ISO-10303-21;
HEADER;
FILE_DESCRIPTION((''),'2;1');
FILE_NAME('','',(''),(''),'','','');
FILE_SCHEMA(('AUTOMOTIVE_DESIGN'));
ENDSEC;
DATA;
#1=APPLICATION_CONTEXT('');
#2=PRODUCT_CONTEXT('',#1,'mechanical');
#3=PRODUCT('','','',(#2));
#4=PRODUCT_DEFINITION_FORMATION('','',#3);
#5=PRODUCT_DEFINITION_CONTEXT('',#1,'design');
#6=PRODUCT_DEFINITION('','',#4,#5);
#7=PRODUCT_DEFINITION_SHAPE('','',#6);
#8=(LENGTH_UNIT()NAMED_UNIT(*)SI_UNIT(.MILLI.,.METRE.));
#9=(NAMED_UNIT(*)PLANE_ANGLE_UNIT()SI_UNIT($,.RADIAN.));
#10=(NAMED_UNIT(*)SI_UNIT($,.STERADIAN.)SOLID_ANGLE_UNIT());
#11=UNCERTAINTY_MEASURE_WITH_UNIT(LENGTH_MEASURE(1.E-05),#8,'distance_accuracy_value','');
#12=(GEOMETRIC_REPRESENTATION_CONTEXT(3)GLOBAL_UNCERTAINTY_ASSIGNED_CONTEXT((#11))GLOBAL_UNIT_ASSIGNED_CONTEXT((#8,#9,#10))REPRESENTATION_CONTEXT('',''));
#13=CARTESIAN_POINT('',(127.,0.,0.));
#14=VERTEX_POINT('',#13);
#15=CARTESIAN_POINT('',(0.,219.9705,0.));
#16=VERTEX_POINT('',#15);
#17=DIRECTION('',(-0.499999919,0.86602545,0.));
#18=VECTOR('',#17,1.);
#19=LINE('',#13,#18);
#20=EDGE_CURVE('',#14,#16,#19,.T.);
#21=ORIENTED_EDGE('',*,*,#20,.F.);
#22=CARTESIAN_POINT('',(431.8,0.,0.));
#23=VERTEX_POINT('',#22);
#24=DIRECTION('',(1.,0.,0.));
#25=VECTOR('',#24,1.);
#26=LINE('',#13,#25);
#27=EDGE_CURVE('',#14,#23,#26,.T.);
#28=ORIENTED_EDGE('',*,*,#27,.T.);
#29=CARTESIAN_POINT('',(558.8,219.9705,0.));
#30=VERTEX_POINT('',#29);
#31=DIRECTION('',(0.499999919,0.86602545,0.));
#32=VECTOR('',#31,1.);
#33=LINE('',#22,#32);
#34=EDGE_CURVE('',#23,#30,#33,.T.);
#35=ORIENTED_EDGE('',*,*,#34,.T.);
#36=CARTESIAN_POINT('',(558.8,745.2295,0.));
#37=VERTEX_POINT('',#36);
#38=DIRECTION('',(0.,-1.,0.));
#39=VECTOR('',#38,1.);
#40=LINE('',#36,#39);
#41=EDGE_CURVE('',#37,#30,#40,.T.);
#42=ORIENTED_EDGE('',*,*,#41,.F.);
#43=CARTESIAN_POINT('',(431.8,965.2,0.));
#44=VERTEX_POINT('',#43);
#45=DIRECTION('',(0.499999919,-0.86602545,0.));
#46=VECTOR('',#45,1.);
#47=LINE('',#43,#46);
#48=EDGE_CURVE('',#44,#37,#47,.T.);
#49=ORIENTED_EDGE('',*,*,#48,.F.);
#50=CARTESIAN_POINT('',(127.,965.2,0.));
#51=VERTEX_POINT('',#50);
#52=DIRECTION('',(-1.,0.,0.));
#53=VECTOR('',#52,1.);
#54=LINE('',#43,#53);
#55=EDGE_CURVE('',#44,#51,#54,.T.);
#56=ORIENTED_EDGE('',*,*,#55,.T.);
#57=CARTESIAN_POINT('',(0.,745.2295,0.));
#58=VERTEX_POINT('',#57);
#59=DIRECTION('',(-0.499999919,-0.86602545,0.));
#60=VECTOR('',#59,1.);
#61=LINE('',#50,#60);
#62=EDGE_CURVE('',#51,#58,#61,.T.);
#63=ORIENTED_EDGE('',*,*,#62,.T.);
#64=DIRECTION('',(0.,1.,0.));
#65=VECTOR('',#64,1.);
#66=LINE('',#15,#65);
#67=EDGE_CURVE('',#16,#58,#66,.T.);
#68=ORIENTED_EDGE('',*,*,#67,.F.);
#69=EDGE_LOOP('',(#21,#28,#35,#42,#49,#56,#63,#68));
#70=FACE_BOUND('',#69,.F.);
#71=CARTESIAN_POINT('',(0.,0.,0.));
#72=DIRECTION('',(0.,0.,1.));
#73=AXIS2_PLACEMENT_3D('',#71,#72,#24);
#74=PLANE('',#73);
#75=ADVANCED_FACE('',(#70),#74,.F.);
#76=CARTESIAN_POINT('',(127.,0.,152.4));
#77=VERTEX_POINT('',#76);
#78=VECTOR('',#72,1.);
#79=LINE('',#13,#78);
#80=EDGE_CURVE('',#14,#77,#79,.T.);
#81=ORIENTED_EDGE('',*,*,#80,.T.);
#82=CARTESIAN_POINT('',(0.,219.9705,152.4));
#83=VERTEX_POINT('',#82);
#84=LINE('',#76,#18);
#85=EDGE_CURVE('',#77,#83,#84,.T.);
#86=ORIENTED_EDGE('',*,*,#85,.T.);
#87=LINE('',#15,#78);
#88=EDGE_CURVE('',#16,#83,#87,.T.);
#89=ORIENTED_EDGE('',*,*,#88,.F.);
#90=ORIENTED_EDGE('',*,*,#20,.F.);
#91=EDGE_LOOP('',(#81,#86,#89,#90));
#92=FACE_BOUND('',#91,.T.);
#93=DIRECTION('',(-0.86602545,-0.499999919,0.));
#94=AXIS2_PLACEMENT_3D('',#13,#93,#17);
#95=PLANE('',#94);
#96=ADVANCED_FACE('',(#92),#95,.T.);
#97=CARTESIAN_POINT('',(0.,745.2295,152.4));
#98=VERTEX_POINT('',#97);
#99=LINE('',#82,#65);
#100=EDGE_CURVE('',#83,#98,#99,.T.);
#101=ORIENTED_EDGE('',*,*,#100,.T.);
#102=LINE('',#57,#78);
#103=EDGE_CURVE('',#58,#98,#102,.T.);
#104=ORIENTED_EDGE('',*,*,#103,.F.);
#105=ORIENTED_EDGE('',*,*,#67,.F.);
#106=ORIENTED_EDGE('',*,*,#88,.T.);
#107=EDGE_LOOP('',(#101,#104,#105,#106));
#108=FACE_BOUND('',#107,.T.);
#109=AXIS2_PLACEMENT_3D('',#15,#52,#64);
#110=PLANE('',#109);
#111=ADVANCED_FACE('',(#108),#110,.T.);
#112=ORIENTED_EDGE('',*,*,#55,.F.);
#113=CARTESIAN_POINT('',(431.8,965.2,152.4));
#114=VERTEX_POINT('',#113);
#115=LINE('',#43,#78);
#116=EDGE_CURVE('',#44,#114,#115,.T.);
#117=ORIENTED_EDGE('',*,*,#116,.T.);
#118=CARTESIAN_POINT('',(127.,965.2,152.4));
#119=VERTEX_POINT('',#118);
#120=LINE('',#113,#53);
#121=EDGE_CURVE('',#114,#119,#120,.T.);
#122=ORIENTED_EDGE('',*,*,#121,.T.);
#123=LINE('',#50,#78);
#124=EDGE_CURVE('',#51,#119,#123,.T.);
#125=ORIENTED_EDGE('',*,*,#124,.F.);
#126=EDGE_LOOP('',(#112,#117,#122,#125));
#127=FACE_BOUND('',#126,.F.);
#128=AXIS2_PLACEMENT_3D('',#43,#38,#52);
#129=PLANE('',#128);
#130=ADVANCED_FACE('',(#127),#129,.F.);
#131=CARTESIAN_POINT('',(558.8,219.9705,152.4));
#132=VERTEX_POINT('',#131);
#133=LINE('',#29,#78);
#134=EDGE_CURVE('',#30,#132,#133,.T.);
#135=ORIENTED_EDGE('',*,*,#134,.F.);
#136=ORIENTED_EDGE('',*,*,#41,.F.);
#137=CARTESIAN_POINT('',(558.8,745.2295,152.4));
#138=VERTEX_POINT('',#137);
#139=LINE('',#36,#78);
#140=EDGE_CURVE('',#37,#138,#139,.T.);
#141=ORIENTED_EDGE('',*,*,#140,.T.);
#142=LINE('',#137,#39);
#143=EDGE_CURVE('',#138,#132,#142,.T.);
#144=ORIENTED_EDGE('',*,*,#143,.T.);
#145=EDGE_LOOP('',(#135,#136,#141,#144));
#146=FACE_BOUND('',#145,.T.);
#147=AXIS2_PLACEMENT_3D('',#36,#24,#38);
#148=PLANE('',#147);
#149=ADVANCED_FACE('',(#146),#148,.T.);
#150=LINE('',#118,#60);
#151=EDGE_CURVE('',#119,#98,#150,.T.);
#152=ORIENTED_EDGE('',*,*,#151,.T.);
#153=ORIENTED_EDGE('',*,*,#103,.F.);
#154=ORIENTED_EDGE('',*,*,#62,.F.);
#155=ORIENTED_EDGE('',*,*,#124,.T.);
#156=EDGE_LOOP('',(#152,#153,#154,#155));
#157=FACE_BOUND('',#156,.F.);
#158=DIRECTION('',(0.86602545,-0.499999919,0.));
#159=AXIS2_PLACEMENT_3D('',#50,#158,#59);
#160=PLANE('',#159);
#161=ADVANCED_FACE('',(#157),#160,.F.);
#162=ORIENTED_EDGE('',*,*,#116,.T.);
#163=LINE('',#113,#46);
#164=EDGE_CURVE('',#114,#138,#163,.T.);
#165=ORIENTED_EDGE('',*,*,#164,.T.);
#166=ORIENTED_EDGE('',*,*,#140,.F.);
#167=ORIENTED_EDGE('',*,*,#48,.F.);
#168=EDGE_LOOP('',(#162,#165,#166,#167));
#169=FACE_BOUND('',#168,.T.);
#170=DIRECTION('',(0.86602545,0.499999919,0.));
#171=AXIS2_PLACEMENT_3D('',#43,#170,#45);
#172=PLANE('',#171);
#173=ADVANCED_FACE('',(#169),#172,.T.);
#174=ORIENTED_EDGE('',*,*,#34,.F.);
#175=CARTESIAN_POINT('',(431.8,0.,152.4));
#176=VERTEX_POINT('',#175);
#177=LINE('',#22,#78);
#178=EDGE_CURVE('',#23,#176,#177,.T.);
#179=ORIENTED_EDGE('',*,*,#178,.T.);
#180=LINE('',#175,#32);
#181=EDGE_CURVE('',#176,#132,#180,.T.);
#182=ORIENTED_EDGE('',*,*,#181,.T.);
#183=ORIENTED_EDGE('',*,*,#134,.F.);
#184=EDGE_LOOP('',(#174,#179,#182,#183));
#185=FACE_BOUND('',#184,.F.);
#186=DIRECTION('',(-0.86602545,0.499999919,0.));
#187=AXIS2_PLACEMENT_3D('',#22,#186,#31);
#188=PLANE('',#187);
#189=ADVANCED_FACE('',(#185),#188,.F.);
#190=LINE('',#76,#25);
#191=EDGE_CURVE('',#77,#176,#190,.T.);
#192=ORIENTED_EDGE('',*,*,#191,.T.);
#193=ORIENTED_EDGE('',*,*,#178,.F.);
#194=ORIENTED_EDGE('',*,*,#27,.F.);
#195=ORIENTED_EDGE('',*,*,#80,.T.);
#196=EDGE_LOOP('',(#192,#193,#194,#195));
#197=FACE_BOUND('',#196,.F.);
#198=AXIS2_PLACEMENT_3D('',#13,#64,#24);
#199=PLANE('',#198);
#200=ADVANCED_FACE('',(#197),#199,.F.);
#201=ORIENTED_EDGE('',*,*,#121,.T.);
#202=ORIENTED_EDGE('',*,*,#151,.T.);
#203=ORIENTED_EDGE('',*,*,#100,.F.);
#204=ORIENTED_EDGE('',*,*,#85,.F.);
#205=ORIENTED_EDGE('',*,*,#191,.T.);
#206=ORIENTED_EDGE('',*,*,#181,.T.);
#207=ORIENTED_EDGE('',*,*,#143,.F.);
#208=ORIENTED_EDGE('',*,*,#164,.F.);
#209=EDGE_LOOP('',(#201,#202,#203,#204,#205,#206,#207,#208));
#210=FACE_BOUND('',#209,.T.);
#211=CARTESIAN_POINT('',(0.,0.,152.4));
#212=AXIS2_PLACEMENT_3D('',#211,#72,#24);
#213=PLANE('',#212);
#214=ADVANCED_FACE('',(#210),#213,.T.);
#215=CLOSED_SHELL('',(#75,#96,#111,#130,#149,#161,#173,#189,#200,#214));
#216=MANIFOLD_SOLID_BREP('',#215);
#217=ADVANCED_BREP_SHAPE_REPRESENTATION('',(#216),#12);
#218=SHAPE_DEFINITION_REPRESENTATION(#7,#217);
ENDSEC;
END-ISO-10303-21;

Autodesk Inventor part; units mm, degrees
ref_plane "YZ Plane" through (0, 0, 0) normal (1, 0, 0) x (0, 1, 0)
ref_plane "XZ Plane" through (0, 0, 0) normal (0, 1, 0) x (-1, 0, 0)
ref_plane "XY Plane" through (0, 0, 0) normal (0, 0, 1) x (1, 0, 0)
sketch "Sketch1" plane through (0, 0, 0) normal (0, 0, 1) x (1, 0, 0)
  point P0 (0, 0)
sketch "Sketch2" plane through (0, 0, 0) normal (0, 0, 1) x (1, 0, 0)
  line L0 (127, 965.2) -> (341.7889, 965.2) construction
  line L1 (279.4, 965.2) -> (279.4, 0) construction
  line L2 (279.4, 482.6) -> (-286.2053, 482.6) construction
  line L3 (127, 965.2) -> (0, 745.2295)
  line L4 (431.8, 965.2) -> (558.8, 745.2295)
  line L5 (127, 0) -> (0, 219.9705)
  line L6 (431.8, 0) -> (558.8, 219.9705)
  line L7 (0, 219.9705) -> (0, 745.2295)
  line L8 (558.8, 745.2295) -> (558.8, 219.9705)
  line L9 (0, 745.2295) -> (127, 965.2)
  line L10 (0, 745.2295) -> (0, 219.9705)
  line L11 (0, 219.9705) -> (127, 0)
  line L12 (431.8, 0) -> (558.8, 219.9705)
  line L13 (558.8, 219.9705) -> (558.8, 745.2295)
  line L14 (558.8, 745.2295) -> (431.8, 965.2)
  line L15 (127, 0) -> (431.8, 0)
  line L16 (431.8, 965.2) -> (127, 965.2)
  point P0 (0, 0)
  point P1 (341.7889, 0)
  dimension "d3" = 152.4
  dimension "d4" = 152.4
  dimension "d10" = 525.2591
  dimension "d11" = 525.2591
  dimension "d15" = 304.8
  dimension "d16" = 219.9704
extrude "Extrusion1" add sketch "Sketch2" along normal blind 152.4
properties part number "4901BaseSolidGeometry"
